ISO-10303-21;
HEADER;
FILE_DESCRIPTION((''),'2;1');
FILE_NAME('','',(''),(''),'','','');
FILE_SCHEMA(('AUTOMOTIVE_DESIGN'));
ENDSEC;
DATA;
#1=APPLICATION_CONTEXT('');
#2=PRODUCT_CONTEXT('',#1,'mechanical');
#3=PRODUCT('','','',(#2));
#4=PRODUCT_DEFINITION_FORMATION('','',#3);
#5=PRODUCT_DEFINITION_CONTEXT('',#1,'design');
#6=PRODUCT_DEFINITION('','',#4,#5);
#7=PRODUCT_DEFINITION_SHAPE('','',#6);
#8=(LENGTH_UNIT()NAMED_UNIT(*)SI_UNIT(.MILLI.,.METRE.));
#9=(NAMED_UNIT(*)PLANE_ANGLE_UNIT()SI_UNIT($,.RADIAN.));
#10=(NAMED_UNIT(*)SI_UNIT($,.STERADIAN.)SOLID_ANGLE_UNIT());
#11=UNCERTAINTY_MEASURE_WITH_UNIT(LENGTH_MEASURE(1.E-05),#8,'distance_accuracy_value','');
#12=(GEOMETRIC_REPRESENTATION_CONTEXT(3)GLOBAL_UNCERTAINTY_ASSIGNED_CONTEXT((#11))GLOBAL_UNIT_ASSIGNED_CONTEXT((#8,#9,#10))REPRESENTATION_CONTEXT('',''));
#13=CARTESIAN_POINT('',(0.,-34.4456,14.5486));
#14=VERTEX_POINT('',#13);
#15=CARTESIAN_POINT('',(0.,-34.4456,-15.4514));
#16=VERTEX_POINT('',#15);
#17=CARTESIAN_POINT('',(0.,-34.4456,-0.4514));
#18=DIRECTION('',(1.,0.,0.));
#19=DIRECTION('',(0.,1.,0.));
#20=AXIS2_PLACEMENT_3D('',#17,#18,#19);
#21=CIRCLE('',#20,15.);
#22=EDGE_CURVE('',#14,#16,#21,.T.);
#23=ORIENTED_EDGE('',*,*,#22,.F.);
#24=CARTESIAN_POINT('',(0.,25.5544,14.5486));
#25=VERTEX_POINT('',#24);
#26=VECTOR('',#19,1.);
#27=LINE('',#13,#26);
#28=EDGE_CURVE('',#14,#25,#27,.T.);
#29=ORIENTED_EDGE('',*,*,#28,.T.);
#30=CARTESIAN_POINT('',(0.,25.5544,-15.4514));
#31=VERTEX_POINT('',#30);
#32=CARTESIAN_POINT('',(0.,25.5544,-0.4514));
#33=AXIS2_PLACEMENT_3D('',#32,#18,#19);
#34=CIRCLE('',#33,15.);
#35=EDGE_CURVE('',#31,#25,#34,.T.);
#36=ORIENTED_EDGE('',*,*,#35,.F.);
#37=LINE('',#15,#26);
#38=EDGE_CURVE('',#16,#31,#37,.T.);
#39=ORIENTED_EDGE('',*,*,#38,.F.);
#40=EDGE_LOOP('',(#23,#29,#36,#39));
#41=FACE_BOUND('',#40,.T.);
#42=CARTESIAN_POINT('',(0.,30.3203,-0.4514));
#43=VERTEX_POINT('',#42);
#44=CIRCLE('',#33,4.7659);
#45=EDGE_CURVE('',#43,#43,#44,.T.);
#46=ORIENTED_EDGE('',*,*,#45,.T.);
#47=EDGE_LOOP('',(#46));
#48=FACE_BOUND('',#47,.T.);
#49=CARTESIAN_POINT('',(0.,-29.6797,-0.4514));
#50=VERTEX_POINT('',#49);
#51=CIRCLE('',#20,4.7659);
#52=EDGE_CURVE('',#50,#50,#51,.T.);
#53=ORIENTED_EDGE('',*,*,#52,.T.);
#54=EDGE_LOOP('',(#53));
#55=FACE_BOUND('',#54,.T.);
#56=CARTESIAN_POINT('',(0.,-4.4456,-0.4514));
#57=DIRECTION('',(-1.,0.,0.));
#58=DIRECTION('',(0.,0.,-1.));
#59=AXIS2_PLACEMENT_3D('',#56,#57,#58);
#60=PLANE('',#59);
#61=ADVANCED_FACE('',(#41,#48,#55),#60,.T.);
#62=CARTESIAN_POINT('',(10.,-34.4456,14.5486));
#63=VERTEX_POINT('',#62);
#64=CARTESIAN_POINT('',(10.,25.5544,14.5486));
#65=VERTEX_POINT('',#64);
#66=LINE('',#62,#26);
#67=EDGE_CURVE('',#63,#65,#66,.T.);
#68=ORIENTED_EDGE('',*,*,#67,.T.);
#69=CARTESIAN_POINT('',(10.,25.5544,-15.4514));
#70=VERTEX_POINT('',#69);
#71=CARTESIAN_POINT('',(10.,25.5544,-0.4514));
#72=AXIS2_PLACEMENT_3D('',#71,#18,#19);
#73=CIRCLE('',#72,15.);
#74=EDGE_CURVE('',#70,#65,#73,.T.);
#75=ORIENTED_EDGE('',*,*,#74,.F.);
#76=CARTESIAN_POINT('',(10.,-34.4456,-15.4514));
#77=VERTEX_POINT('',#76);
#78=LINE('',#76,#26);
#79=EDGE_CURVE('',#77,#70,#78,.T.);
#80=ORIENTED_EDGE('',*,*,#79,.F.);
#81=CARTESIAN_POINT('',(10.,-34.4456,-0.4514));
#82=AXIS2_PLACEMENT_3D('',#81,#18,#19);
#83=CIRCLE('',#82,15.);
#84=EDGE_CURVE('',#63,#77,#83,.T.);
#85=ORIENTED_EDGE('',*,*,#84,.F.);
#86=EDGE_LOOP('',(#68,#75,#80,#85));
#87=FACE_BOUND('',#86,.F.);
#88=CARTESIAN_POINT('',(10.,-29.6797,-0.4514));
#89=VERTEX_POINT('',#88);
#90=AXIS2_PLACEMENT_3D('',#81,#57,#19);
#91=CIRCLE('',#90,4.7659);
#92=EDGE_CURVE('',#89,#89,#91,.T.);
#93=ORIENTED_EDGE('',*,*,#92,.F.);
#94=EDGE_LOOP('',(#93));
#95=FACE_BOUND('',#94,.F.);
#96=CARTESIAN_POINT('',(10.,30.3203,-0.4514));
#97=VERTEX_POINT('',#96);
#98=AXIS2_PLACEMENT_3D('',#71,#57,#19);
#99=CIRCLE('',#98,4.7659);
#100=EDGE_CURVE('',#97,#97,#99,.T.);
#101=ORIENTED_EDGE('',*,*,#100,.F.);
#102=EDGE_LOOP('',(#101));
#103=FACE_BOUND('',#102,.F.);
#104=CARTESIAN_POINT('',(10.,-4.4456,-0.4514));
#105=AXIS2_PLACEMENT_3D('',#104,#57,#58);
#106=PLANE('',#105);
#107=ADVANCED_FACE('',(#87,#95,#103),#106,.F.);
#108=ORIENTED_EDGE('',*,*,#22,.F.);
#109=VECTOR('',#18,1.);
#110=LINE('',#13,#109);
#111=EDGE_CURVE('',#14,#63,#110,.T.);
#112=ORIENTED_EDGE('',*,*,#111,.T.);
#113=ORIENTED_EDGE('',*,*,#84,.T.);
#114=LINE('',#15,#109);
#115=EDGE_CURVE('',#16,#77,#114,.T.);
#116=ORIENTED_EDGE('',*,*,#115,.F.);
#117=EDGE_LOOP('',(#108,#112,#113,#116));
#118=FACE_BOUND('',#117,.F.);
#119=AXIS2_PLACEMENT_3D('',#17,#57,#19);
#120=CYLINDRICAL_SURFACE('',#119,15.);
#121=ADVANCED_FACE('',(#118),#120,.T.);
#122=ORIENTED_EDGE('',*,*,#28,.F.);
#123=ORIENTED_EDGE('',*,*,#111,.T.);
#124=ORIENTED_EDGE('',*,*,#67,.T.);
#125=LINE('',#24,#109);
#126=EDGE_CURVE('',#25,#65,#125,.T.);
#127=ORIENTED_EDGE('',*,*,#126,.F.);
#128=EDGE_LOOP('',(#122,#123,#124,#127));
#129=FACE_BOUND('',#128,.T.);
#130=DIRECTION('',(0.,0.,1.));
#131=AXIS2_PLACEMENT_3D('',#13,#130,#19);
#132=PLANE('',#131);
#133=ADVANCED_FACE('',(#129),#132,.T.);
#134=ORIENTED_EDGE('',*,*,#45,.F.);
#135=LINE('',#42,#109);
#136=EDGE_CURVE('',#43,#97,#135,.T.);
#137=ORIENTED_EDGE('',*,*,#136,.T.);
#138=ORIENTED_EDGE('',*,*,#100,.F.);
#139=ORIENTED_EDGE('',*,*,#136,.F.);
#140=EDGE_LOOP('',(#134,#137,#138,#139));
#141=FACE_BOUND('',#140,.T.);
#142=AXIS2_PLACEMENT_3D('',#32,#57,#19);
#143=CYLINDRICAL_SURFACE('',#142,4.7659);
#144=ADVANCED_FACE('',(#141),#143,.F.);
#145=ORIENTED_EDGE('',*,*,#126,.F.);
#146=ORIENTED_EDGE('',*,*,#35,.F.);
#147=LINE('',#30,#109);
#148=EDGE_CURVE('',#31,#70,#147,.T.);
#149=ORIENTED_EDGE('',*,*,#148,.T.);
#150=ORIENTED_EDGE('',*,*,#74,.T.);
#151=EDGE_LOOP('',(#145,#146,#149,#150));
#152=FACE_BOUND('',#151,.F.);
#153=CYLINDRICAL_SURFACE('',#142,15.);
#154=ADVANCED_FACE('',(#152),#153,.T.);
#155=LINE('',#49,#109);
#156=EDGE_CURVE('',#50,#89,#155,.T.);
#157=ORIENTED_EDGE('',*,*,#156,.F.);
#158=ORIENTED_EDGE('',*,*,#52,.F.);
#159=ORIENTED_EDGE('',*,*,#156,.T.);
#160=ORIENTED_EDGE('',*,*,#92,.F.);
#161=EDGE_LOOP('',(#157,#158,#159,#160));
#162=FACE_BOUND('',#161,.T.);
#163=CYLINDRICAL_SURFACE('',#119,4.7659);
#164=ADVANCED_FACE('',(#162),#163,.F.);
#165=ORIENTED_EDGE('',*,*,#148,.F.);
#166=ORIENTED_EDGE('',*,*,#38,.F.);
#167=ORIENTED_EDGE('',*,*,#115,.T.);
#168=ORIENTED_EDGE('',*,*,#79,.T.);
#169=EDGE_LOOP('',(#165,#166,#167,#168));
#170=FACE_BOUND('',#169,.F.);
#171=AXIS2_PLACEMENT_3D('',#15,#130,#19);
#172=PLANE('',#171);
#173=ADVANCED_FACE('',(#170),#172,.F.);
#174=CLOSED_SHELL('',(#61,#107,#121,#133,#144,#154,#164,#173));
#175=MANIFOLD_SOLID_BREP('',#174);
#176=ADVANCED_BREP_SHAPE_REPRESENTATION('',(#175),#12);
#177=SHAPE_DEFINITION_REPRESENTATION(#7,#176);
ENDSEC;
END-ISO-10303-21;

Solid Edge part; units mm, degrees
sketch "Sketch1" plane through (0, 0, 0) normal (1, 0, 0) x (0, 1, 0)
  line L0 (-34.4456, 14.5486) -> (25.5544, 14.5486)
  arc A0 (25.5544, -15.4514) -> (25.5544, 14.5486) centre (25.5544, -0.4514) ccw
  line L1 (-34.4456, -15.4514) -> (25.5544, -15.4514)
  arc A1 (-34.4456, 14.5486) -> (-34.4456, -15.4514) centre (-34.4456, -0.4514) ccw
extrude "Protrusion1" add sketch "Sketch1" along normal blind 10
sketch "Sketch2" plane through (0, 0, 0) normal (1, 0, 0) x (0, 1, 0)
  circle A0 centre (-34.4456, -0.4514) radius 4.7659
  circle A1 centre (25.5544, -0.4514) radius 4.7659
  dimension "D1" = 60
  dimension "D2" = 15
extrude "Cutout1" cut sketch "Sketch2" along normal blind 53.975
